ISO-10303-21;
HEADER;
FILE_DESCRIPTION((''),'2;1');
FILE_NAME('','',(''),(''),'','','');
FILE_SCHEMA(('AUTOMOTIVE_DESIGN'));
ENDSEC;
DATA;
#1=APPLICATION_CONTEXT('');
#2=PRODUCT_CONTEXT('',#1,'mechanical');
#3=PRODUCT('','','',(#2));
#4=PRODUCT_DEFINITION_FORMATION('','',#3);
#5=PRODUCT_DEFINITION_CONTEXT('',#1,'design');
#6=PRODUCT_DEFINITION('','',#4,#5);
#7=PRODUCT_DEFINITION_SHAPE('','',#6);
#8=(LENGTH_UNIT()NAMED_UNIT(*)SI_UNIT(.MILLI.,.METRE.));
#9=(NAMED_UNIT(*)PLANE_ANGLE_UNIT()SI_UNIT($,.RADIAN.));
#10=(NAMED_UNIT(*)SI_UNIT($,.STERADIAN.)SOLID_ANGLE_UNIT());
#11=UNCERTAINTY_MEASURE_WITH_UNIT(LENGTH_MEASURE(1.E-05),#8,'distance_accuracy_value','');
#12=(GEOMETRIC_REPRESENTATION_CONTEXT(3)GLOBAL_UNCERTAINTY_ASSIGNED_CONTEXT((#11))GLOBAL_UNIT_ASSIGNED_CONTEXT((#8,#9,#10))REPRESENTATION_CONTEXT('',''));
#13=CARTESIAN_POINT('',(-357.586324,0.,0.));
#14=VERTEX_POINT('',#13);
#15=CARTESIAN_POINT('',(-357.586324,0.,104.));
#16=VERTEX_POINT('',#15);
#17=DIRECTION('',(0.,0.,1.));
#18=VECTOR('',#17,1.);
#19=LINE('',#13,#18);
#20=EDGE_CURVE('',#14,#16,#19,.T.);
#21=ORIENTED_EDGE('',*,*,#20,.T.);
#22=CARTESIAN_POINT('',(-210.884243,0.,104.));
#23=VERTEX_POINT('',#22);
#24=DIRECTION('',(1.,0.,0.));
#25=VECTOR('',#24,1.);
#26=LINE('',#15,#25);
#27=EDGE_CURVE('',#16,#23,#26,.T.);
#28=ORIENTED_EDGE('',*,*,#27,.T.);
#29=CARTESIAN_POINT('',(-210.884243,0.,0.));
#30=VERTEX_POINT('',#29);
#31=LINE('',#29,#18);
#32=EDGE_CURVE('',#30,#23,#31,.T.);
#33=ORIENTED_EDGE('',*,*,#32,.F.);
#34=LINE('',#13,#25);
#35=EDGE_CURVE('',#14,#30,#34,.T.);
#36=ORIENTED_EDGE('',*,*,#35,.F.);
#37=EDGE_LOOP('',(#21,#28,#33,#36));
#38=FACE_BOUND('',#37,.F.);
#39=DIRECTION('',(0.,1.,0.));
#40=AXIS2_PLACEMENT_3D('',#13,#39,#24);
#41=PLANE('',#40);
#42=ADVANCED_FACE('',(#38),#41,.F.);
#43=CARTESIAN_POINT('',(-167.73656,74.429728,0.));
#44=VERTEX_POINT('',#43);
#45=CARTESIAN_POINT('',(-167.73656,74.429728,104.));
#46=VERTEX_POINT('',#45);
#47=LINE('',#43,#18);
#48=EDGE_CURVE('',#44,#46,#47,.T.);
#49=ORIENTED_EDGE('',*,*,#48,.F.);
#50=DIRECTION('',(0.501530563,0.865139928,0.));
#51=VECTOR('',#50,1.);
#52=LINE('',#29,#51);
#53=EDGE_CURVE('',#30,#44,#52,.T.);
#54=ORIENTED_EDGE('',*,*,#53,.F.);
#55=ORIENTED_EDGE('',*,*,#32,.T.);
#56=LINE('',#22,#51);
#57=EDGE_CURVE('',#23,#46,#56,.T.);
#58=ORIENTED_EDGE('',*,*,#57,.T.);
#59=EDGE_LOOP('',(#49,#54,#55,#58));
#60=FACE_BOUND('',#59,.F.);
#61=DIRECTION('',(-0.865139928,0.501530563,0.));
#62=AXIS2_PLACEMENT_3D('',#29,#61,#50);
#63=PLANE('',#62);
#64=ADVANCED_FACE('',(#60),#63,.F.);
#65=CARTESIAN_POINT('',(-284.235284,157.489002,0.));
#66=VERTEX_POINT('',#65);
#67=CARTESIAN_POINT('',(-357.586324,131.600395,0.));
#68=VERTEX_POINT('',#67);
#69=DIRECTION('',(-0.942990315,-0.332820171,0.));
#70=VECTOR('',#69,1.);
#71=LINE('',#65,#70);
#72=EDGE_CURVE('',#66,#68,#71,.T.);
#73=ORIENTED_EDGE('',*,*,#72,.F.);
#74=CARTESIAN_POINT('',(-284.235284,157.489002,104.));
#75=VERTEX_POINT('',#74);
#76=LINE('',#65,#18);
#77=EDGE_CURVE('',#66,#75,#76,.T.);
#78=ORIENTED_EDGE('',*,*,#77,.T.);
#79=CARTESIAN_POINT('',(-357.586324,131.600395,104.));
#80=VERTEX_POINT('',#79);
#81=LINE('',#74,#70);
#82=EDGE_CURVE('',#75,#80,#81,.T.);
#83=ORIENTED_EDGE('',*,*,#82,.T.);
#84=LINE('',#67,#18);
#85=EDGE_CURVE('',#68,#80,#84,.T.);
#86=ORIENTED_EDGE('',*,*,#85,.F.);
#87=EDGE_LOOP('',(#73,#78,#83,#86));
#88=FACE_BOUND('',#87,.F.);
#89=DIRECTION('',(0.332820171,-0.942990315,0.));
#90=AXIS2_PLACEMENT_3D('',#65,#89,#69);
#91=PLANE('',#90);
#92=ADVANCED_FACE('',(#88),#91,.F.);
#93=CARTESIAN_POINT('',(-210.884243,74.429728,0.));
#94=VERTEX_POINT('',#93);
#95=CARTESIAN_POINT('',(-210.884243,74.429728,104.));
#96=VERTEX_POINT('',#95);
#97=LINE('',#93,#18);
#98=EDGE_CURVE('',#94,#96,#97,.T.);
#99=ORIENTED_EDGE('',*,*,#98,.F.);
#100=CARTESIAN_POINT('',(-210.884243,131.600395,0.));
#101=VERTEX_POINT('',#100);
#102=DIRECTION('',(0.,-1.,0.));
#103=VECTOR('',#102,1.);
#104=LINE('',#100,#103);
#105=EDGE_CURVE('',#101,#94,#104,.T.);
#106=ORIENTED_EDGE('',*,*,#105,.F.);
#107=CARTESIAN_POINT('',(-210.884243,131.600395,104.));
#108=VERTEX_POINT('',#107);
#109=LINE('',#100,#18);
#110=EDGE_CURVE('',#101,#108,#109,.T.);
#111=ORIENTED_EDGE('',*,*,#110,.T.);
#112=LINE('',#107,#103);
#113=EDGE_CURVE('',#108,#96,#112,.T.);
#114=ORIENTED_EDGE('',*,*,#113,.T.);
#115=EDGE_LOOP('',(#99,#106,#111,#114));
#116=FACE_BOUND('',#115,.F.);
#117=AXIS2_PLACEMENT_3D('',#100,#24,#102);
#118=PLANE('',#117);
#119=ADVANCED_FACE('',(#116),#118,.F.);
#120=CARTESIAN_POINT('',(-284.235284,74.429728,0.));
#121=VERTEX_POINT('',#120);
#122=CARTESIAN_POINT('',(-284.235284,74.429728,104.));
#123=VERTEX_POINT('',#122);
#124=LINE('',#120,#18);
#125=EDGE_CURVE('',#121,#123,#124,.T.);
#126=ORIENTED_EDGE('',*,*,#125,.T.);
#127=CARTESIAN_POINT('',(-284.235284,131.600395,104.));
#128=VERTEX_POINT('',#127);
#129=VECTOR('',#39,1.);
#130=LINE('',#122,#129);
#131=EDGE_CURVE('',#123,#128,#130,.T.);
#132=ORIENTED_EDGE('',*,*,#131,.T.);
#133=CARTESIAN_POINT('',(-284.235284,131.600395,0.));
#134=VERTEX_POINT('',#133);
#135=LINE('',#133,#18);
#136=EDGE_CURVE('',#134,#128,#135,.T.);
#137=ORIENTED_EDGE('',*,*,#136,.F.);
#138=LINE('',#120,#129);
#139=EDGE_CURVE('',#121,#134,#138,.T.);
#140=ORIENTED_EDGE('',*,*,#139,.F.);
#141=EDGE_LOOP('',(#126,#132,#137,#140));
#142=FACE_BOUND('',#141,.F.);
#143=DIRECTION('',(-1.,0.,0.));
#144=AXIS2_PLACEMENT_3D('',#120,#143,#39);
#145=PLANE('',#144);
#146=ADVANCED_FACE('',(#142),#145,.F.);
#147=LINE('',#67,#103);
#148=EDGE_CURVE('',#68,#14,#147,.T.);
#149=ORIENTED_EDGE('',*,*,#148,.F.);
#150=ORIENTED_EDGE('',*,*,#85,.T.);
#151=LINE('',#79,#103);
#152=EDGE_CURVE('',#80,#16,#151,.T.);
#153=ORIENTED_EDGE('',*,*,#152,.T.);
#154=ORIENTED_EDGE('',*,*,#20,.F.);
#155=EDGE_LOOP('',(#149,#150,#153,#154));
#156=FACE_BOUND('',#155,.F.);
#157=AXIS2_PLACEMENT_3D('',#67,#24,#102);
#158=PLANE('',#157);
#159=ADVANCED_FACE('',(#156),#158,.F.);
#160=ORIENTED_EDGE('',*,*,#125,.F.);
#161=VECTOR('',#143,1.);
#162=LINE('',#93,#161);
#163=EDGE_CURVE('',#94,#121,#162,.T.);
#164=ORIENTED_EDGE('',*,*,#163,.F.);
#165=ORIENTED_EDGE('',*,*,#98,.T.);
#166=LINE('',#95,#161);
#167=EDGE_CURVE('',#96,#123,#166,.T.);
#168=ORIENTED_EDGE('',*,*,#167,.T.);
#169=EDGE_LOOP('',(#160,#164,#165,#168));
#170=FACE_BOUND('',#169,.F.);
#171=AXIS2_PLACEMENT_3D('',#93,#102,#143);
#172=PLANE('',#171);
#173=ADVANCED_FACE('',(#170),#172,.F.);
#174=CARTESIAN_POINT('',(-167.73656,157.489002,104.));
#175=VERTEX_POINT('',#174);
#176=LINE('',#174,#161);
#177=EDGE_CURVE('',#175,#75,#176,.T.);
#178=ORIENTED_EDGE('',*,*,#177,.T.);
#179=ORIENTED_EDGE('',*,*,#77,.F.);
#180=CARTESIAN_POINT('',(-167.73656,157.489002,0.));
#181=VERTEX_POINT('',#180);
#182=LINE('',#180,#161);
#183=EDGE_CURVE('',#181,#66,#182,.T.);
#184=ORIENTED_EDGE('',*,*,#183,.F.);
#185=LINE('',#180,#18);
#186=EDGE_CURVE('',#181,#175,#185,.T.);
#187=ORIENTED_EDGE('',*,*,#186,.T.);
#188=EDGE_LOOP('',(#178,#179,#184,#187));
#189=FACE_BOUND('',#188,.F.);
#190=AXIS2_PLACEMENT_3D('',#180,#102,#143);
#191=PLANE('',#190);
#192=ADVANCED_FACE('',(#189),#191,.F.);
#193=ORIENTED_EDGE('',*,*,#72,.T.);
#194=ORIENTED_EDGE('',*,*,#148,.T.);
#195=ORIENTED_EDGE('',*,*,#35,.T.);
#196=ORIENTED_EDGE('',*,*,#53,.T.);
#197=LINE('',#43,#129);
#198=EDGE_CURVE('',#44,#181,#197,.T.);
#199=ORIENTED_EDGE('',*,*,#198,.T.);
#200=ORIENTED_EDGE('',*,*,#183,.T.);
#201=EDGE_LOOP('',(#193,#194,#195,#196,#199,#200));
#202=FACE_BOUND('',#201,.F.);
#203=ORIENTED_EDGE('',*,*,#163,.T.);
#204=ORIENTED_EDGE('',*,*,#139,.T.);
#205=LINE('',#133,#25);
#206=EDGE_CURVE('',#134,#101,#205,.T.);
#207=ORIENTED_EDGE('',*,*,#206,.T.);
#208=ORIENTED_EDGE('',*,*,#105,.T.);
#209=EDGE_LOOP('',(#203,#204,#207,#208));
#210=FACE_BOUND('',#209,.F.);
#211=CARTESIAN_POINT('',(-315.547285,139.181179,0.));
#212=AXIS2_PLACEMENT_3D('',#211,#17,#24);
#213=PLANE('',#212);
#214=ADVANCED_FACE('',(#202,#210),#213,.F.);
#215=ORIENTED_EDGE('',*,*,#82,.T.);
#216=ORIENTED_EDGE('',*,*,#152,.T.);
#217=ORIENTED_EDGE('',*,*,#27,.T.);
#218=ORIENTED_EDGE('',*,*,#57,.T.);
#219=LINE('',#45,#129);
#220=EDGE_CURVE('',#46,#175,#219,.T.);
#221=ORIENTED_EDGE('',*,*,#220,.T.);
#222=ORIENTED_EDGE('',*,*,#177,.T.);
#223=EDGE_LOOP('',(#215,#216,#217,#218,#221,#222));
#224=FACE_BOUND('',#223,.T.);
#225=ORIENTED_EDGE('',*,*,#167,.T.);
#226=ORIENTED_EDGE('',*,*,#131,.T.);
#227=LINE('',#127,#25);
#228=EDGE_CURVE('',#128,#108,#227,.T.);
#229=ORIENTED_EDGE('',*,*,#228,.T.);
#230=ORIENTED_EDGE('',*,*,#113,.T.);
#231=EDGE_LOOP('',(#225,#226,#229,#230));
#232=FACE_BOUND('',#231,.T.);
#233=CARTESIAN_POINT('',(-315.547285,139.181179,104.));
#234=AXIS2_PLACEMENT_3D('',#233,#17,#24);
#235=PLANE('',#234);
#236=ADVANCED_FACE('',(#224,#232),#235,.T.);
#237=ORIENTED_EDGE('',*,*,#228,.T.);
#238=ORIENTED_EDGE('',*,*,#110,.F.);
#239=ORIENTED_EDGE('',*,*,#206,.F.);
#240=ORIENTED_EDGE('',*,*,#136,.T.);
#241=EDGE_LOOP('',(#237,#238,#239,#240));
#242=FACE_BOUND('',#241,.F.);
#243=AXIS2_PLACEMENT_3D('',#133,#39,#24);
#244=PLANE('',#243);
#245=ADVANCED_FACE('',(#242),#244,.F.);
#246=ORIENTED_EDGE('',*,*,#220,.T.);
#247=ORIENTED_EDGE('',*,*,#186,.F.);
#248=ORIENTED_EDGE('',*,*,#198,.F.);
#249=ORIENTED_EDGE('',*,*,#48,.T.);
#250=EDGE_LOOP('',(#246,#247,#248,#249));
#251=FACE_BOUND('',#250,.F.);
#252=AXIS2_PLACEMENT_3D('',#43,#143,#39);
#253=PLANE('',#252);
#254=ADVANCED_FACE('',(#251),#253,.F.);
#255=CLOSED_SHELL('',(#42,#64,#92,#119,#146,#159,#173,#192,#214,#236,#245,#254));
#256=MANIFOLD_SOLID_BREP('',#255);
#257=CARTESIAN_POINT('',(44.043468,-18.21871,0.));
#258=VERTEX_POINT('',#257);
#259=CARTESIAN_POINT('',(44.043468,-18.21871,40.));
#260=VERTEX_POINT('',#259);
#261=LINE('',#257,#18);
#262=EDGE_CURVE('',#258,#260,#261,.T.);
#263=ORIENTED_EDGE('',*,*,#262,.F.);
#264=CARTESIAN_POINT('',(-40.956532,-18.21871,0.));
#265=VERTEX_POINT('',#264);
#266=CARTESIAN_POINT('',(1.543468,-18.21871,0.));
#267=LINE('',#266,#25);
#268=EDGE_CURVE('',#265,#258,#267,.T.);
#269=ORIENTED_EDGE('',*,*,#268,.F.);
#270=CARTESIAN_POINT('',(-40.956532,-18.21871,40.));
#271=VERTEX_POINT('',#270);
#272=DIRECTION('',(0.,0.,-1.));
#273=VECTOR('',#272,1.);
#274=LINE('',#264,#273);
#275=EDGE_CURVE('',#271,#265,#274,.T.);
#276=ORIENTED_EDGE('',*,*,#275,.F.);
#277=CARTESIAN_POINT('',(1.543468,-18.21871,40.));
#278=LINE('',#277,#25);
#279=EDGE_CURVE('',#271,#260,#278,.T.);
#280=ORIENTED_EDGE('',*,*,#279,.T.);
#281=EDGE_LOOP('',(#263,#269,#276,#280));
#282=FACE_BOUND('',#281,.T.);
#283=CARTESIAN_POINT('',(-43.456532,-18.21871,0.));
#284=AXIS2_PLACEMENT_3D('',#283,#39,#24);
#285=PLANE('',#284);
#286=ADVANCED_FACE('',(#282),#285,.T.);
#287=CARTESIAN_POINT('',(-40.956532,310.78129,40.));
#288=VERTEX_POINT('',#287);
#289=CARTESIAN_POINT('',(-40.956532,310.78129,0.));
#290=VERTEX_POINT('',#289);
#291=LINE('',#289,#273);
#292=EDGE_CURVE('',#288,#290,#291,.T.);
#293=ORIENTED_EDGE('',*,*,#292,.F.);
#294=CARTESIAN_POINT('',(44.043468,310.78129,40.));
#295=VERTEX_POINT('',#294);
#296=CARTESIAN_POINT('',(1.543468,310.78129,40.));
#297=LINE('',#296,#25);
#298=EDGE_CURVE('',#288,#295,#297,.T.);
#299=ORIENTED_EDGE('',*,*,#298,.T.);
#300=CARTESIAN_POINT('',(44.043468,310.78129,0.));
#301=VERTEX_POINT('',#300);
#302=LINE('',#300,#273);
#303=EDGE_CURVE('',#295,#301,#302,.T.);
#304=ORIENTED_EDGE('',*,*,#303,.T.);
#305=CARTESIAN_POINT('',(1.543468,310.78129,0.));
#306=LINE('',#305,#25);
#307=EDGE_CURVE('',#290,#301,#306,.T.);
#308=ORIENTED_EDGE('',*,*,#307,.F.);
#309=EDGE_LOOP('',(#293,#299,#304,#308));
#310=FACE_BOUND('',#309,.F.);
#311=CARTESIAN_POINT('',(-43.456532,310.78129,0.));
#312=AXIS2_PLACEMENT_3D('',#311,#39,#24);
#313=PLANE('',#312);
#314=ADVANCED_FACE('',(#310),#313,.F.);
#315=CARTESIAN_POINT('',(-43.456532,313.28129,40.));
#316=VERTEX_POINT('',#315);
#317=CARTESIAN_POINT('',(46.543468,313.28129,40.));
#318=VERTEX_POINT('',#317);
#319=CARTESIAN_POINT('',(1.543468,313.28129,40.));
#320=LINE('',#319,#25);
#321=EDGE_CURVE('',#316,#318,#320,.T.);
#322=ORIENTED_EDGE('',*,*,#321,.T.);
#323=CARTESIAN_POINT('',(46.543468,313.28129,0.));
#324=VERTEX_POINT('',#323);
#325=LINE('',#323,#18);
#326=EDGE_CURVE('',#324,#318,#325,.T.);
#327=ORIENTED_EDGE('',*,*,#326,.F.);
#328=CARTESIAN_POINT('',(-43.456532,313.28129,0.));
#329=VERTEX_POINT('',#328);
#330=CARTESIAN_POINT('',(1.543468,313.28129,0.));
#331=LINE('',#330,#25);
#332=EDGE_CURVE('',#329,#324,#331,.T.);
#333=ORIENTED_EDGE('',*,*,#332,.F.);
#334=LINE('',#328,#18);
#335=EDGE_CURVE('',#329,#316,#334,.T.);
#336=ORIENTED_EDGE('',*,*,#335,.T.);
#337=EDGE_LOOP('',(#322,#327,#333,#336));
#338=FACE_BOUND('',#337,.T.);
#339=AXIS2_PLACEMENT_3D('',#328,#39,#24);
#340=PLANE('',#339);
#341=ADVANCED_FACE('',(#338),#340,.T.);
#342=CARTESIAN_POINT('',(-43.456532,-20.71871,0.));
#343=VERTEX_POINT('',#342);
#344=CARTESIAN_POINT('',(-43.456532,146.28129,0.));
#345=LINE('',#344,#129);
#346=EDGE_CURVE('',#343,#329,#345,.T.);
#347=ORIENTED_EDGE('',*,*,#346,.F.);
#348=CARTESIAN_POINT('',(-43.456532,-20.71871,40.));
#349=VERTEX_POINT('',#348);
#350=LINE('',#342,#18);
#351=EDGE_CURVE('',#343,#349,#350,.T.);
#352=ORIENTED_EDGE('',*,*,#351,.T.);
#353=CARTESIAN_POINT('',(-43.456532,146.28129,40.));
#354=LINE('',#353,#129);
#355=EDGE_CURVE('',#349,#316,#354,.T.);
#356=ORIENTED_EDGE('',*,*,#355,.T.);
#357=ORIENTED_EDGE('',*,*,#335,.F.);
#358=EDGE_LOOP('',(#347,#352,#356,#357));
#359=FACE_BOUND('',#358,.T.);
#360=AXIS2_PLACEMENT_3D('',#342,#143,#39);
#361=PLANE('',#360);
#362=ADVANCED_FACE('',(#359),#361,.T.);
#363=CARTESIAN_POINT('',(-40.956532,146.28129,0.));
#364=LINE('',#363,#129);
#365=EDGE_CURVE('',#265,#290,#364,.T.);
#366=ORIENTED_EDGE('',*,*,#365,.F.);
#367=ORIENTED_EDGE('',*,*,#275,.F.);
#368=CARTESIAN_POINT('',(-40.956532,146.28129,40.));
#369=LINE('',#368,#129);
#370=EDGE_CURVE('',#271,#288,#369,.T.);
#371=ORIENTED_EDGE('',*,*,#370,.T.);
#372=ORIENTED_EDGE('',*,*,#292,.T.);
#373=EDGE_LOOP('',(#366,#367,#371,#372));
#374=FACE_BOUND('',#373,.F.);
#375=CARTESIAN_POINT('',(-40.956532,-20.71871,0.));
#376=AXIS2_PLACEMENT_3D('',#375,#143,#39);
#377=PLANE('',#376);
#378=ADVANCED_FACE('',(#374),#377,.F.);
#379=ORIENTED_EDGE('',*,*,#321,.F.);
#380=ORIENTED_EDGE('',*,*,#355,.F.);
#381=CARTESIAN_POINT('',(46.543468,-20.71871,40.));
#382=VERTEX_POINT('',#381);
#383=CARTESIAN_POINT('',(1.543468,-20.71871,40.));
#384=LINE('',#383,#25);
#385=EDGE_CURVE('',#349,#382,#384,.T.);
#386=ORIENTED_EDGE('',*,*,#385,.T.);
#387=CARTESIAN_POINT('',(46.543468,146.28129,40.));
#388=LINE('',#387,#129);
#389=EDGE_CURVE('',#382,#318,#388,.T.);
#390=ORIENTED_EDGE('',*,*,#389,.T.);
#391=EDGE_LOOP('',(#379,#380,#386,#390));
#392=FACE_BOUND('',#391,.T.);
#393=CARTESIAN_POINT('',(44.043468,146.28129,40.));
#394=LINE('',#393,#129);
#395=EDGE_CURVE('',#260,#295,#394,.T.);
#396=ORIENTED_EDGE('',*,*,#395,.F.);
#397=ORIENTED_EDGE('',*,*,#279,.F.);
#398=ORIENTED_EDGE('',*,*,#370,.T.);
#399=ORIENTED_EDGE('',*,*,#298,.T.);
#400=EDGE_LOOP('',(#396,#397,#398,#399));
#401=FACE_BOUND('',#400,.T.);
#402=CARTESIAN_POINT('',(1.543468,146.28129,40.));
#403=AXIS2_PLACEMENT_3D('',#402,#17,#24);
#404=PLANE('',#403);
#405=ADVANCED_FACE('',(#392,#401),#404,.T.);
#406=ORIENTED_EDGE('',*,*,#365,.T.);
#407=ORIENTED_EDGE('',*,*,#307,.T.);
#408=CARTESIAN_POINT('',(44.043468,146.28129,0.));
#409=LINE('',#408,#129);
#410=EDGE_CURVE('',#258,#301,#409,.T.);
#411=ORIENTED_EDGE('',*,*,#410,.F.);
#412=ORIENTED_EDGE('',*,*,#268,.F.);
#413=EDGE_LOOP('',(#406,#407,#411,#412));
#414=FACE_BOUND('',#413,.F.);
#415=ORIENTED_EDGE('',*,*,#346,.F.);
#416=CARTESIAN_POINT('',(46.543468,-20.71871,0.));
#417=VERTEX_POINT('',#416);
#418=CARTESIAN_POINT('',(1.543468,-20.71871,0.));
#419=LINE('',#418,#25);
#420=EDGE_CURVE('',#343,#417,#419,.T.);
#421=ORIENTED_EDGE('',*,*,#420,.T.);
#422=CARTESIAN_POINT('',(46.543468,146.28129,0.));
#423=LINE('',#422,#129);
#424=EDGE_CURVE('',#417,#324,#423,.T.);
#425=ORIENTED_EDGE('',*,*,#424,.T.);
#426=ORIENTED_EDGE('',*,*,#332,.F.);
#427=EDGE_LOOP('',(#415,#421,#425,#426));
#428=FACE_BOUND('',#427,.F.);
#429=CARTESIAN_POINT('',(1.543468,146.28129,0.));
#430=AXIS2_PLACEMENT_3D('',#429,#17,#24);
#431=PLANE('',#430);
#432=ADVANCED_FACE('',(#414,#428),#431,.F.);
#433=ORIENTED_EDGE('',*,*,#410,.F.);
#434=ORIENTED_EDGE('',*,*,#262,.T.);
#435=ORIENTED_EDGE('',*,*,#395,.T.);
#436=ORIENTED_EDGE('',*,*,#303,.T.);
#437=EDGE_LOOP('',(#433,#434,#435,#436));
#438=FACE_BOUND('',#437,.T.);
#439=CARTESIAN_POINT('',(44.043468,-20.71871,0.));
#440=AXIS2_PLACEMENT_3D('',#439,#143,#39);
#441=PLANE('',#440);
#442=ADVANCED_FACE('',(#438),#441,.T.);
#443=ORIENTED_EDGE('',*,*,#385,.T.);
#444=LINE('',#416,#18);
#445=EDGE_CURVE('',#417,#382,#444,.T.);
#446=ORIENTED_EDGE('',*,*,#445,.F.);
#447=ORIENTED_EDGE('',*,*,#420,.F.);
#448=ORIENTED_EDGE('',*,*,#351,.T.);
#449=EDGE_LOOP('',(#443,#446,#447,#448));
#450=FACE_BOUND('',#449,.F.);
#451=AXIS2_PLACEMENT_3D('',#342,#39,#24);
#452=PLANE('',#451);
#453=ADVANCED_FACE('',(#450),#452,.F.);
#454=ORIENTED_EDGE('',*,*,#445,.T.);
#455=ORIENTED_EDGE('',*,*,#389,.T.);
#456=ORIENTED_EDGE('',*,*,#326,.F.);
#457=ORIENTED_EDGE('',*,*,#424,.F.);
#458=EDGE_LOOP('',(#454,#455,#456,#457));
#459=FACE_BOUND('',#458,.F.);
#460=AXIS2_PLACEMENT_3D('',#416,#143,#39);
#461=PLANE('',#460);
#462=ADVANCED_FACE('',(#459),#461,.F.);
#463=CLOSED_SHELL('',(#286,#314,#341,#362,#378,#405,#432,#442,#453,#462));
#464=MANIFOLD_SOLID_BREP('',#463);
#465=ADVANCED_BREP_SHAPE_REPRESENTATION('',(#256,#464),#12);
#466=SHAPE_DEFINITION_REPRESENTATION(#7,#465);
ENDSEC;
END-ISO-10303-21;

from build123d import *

# Parameters (mm, degrees)
F0_W     = 90
F0_H     = 334
F1_DEPTH = 40
F2_T     = -2.5
F4_DEPTH = 104


with BuildPart() as f1:
    # F0 (on Top) → F1 (new body)
    with BuildSketch(Plane.XY):
        with Locations((1.543468, 146.28129)):
            Rectangle(F0_W, F0_H)
    extrude(amount=F1_DEPTH)

    # F2
    f2_openings = [f1.faces().sort_by_distance(p)[0] for p in [
        (1.543468, 146.28129, 40),
        (1.543468, 146.28129, 0),
    ]]
    offset(amount=F2_T, openings=f2_openings)


with BuildPart() as f4:
    # F3 (on Top) → F4 (new body)
    with BuildSketch(Plane.XY):
        Polygon((-284.235284, 157.489002), (-357.586324, 131.600395), (-284.235284, 131.600395), align=None)
        Polygon((-284.235284, 131.600395), (-357.586324, 131.600395), (-357.586324, 0), (-284.235284, 74.429728), align=None)
        Polygon((-284.235284, 157.489002), (-284.235284, 131.600395), (-210.884243, 131.600395), (-167.73656, 157.489002), align=None)
        Polygon((-284.235284, 74.429728), (-357.586324, 0), (-210.884243, 0), (-210.884243, 74.429728), align=None)
        Polygon((-167.73656, 157.489002), (-210.884243, 131.600395), (-210.884243, 74.429728), (-167.73656, 74.429728), align=None)
        Polygon((-210.884243, 74.429728), (-210.884243, 0), (-167.73656, 74.429728), align=None)
    extrude(amount=F4_DEPTH)


solid = Compound([f1.part, f4.part])
